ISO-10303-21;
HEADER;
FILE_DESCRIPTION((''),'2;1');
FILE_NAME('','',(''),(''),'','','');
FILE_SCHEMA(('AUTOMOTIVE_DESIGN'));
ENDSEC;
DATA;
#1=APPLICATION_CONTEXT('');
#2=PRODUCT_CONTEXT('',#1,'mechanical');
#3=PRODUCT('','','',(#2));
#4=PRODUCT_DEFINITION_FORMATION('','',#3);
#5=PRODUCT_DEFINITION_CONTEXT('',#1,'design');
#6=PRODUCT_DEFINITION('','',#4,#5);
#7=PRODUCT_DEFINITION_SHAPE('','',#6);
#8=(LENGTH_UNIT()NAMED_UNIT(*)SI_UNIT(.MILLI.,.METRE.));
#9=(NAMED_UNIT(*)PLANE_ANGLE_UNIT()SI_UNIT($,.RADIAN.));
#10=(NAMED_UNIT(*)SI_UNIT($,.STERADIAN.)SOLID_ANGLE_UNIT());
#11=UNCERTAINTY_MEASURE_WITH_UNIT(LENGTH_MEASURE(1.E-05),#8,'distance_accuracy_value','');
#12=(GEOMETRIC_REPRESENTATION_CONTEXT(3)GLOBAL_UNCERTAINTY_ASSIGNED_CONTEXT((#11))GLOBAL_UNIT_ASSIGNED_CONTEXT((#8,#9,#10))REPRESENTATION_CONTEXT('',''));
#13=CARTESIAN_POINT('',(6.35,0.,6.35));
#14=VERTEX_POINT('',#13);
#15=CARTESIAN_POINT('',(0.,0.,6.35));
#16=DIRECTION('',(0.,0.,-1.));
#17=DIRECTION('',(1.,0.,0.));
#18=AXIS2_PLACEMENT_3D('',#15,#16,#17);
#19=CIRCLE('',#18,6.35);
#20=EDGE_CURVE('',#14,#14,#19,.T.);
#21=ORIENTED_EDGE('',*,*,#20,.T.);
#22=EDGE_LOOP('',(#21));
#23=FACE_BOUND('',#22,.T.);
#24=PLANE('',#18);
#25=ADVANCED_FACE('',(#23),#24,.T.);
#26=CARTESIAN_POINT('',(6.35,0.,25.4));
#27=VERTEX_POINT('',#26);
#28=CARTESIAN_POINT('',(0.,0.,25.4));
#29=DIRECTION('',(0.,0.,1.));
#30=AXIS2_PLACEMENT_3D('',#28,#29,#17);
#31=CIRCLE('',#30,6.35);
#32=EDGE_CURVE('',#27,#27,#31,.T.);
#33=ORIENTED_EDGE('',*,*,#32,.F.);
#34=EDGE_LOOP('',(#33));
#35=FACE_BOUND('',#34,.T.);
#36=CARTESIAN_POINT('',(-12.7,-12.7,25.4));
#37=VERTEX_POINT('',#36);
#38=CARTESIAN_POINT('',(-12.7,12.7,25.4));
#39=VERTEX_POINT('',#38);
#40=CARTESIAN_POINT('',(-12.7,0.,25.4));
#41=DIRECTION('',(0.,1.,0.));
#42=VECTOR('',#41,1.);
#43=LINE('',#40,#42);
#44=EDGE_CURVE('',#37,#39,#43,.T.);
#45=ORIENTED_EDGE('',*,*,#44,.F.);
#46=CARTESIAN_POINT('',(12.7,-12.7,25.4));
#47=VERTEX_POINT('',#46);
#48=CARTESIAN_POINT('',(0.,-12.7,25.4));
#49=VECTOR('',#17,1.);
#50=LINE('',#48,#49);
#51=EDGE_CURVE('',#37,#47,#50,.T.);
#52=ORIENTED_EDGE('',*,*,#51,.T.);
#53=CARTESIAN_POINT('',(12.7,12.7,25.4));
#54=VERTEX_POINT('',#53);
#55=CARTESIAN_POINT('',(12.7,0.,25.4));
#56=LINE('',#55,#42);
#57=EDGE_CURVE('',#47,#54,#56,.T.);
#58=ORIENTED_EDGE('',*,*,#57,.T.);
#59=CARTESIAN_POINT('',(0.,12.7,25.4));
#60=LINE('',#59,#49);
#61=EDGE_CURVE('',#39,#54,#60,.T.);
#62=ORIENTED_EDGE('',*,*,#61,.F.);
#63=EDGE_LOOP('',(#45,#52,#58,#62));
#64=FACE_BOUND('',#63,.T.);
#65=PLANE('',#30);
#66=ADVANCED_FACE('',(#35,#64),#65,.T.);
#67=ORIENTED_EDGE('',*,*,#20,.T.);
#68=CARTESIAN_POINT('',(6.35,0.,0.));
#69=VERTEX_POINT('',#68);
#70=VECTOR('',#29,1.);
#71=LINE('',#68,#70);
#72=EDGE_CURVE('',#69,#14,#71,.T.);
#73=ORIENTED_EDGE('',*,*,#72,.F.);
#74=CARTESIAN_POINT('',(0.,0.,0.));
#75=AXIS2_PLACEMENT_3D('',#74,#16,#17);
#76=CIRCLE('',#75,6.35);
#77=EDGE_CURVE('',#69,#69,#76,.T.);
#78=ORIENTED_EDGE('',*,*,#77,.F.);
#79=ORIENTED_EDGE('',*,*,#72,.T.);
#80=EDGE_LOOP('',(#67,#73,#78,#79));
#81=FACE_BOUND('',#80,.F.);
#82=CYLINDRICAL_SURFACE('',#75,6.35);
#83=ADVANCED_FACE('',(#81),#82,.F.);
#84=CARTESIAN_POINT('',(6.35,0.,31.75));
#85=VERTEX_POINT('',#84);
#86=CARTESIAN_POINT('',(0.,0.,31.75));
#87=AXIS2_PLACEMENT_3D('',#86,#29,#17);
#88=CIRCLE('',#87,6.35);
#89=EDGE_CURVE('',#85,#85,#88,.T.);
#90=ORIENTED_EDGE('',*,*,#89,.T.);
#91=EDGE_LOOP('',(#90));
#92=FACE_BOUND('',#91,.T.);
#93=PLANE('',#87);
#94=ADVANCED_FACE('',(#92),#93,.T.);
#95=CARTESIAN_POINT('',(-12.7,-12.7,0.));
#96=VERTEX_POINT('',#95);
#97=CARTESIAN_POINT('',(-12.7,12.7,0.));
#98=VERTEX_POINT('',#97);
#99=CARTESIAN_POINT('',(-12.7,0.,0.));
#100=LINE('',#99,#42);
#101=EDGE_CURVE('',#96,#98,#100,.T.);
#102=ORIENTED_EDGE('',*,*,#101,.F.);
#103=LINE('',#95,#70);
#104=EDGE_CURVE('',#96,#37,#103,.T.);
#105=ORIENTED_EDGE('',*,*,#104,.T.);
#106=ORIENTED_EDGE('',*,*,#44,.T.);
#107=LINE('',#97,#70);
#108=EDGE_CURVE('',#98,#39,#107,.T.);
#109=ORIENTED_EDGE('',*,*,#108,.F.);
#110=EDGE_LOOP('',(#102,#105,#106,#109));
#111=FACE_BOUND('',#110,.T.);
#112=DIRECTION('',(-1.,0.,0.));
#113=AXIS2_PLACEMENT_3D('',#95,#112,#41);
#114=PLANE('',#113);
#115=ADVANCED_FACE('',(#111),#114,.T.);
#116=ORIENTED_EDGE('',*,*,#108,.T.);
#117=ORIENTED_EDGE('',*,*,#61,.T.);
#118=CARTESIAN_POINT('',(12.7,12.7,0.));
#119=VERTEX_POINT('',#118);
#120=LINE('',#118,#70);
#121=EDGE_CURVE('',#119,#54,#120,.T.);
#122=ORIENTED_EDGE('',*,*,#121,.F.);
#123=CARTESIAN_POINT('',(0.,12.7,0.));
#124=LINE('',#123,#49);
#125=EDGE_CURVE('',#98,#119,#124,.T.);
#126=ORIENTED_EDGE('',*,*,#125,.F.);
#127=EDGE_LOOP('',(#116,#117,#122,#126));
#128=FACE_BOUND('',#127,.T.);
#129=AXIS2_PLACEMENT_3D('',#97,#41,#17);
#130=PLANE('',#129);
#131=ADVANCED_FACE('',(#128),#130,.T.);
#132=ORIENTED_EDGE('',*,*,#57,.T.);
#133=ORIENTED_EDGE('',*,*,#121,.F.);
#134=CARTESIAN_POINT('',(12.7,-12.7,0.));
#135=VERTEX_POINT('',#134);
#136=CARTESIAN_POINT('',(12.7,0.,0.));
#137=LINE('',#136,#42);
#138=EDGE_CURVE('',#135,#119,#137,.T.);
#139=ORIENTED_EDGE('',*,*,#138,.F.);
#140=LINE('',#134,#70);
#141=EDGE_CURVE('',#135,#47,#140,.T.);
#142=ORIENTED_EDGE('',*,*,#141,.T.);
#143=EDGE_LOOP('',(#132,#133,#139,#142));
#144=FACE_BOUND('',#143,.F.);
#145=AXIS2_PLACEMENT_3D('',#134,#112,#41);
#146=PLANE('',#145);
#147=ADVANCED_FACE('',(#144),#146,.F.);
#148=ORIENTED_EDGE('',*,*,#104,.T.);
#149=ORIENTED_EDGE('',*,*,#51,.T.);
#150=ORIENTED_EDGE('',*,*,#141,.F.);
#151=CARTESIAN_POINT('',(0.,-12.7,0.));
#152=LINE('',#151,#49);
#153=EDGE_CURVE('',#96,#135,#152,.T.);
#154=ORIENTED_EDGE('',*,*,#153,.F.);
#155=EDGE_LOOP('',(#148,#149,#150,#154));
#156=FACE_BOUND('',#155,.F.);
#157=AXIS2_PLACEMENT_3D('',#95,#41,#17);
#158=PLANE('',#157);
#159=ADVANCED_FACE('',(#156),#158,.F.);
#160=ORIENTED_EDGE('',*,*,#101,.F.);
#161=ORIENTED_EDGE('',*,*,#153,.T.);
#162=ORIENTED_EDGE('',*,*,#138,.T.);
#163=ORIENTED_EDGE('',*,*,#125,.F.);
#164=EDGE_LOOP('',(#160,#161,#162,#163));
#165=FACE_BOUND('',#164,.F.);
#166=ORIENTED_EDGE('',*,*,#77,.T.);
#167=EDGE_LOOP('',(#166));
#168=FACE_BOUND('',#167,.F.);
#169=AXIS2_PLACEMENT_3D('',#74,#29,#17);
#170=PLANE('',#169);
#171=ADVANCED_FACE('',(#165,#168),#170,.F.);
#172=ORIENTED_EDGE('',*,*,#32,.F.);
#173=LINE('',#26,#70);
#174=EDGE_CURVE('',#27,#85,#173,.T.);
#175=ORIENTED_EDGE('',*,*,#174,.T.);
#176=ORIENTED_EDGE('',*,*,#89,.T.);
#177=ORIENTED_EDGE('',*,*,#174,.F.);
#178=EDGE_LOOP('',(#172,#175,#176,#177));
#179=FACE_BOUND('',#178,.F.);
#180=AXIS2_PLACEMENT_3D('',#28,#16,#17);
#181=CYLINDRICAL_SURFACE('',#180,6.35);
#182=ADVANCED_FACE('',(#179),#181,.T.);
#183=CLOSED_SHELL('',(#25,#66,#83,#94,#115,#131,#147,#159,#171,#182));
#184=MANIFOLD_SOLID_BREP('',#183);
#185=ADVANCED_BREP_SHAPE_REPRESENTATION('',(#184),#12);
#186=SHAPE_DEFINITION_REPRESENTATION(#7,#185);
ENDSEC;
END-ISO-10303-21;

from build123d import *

# Parameters (mm, degrees)
F0_W     = 25.4
F0_H     = 25.4
F1_DEPTH = 25.4
F2_R     = 6.35
F3_DEPTH = 6.35
F4_R     = 6.35
F5_DEPTH = 6.35


with BuildPart() as f1:
    # F0 (on Top) → F1 (new body)
    with BuildSketch(Plane.XY):
        Rectangle(F0_W, F0_H)
    extrude(amount=F1_DEPTH)

    # F2 (on face) → F3 (cut)
    with BuildSketch(Plane(origin=(0, 0, 0), x_dir=(1, 0, 0), z_dir=(0, 0, -1))):
        Circle(F2_R)
    extrude(amount=-F3_DEPTH, mode=Mode.SUBTRACT)

    # F4 (on face) → F5 (join)
    with BuildSketch(Plane.XY.offset(25.4)):
        Circle(F4_R)
    extrude(amount=F5_DEPTH)


solid = f1.part
